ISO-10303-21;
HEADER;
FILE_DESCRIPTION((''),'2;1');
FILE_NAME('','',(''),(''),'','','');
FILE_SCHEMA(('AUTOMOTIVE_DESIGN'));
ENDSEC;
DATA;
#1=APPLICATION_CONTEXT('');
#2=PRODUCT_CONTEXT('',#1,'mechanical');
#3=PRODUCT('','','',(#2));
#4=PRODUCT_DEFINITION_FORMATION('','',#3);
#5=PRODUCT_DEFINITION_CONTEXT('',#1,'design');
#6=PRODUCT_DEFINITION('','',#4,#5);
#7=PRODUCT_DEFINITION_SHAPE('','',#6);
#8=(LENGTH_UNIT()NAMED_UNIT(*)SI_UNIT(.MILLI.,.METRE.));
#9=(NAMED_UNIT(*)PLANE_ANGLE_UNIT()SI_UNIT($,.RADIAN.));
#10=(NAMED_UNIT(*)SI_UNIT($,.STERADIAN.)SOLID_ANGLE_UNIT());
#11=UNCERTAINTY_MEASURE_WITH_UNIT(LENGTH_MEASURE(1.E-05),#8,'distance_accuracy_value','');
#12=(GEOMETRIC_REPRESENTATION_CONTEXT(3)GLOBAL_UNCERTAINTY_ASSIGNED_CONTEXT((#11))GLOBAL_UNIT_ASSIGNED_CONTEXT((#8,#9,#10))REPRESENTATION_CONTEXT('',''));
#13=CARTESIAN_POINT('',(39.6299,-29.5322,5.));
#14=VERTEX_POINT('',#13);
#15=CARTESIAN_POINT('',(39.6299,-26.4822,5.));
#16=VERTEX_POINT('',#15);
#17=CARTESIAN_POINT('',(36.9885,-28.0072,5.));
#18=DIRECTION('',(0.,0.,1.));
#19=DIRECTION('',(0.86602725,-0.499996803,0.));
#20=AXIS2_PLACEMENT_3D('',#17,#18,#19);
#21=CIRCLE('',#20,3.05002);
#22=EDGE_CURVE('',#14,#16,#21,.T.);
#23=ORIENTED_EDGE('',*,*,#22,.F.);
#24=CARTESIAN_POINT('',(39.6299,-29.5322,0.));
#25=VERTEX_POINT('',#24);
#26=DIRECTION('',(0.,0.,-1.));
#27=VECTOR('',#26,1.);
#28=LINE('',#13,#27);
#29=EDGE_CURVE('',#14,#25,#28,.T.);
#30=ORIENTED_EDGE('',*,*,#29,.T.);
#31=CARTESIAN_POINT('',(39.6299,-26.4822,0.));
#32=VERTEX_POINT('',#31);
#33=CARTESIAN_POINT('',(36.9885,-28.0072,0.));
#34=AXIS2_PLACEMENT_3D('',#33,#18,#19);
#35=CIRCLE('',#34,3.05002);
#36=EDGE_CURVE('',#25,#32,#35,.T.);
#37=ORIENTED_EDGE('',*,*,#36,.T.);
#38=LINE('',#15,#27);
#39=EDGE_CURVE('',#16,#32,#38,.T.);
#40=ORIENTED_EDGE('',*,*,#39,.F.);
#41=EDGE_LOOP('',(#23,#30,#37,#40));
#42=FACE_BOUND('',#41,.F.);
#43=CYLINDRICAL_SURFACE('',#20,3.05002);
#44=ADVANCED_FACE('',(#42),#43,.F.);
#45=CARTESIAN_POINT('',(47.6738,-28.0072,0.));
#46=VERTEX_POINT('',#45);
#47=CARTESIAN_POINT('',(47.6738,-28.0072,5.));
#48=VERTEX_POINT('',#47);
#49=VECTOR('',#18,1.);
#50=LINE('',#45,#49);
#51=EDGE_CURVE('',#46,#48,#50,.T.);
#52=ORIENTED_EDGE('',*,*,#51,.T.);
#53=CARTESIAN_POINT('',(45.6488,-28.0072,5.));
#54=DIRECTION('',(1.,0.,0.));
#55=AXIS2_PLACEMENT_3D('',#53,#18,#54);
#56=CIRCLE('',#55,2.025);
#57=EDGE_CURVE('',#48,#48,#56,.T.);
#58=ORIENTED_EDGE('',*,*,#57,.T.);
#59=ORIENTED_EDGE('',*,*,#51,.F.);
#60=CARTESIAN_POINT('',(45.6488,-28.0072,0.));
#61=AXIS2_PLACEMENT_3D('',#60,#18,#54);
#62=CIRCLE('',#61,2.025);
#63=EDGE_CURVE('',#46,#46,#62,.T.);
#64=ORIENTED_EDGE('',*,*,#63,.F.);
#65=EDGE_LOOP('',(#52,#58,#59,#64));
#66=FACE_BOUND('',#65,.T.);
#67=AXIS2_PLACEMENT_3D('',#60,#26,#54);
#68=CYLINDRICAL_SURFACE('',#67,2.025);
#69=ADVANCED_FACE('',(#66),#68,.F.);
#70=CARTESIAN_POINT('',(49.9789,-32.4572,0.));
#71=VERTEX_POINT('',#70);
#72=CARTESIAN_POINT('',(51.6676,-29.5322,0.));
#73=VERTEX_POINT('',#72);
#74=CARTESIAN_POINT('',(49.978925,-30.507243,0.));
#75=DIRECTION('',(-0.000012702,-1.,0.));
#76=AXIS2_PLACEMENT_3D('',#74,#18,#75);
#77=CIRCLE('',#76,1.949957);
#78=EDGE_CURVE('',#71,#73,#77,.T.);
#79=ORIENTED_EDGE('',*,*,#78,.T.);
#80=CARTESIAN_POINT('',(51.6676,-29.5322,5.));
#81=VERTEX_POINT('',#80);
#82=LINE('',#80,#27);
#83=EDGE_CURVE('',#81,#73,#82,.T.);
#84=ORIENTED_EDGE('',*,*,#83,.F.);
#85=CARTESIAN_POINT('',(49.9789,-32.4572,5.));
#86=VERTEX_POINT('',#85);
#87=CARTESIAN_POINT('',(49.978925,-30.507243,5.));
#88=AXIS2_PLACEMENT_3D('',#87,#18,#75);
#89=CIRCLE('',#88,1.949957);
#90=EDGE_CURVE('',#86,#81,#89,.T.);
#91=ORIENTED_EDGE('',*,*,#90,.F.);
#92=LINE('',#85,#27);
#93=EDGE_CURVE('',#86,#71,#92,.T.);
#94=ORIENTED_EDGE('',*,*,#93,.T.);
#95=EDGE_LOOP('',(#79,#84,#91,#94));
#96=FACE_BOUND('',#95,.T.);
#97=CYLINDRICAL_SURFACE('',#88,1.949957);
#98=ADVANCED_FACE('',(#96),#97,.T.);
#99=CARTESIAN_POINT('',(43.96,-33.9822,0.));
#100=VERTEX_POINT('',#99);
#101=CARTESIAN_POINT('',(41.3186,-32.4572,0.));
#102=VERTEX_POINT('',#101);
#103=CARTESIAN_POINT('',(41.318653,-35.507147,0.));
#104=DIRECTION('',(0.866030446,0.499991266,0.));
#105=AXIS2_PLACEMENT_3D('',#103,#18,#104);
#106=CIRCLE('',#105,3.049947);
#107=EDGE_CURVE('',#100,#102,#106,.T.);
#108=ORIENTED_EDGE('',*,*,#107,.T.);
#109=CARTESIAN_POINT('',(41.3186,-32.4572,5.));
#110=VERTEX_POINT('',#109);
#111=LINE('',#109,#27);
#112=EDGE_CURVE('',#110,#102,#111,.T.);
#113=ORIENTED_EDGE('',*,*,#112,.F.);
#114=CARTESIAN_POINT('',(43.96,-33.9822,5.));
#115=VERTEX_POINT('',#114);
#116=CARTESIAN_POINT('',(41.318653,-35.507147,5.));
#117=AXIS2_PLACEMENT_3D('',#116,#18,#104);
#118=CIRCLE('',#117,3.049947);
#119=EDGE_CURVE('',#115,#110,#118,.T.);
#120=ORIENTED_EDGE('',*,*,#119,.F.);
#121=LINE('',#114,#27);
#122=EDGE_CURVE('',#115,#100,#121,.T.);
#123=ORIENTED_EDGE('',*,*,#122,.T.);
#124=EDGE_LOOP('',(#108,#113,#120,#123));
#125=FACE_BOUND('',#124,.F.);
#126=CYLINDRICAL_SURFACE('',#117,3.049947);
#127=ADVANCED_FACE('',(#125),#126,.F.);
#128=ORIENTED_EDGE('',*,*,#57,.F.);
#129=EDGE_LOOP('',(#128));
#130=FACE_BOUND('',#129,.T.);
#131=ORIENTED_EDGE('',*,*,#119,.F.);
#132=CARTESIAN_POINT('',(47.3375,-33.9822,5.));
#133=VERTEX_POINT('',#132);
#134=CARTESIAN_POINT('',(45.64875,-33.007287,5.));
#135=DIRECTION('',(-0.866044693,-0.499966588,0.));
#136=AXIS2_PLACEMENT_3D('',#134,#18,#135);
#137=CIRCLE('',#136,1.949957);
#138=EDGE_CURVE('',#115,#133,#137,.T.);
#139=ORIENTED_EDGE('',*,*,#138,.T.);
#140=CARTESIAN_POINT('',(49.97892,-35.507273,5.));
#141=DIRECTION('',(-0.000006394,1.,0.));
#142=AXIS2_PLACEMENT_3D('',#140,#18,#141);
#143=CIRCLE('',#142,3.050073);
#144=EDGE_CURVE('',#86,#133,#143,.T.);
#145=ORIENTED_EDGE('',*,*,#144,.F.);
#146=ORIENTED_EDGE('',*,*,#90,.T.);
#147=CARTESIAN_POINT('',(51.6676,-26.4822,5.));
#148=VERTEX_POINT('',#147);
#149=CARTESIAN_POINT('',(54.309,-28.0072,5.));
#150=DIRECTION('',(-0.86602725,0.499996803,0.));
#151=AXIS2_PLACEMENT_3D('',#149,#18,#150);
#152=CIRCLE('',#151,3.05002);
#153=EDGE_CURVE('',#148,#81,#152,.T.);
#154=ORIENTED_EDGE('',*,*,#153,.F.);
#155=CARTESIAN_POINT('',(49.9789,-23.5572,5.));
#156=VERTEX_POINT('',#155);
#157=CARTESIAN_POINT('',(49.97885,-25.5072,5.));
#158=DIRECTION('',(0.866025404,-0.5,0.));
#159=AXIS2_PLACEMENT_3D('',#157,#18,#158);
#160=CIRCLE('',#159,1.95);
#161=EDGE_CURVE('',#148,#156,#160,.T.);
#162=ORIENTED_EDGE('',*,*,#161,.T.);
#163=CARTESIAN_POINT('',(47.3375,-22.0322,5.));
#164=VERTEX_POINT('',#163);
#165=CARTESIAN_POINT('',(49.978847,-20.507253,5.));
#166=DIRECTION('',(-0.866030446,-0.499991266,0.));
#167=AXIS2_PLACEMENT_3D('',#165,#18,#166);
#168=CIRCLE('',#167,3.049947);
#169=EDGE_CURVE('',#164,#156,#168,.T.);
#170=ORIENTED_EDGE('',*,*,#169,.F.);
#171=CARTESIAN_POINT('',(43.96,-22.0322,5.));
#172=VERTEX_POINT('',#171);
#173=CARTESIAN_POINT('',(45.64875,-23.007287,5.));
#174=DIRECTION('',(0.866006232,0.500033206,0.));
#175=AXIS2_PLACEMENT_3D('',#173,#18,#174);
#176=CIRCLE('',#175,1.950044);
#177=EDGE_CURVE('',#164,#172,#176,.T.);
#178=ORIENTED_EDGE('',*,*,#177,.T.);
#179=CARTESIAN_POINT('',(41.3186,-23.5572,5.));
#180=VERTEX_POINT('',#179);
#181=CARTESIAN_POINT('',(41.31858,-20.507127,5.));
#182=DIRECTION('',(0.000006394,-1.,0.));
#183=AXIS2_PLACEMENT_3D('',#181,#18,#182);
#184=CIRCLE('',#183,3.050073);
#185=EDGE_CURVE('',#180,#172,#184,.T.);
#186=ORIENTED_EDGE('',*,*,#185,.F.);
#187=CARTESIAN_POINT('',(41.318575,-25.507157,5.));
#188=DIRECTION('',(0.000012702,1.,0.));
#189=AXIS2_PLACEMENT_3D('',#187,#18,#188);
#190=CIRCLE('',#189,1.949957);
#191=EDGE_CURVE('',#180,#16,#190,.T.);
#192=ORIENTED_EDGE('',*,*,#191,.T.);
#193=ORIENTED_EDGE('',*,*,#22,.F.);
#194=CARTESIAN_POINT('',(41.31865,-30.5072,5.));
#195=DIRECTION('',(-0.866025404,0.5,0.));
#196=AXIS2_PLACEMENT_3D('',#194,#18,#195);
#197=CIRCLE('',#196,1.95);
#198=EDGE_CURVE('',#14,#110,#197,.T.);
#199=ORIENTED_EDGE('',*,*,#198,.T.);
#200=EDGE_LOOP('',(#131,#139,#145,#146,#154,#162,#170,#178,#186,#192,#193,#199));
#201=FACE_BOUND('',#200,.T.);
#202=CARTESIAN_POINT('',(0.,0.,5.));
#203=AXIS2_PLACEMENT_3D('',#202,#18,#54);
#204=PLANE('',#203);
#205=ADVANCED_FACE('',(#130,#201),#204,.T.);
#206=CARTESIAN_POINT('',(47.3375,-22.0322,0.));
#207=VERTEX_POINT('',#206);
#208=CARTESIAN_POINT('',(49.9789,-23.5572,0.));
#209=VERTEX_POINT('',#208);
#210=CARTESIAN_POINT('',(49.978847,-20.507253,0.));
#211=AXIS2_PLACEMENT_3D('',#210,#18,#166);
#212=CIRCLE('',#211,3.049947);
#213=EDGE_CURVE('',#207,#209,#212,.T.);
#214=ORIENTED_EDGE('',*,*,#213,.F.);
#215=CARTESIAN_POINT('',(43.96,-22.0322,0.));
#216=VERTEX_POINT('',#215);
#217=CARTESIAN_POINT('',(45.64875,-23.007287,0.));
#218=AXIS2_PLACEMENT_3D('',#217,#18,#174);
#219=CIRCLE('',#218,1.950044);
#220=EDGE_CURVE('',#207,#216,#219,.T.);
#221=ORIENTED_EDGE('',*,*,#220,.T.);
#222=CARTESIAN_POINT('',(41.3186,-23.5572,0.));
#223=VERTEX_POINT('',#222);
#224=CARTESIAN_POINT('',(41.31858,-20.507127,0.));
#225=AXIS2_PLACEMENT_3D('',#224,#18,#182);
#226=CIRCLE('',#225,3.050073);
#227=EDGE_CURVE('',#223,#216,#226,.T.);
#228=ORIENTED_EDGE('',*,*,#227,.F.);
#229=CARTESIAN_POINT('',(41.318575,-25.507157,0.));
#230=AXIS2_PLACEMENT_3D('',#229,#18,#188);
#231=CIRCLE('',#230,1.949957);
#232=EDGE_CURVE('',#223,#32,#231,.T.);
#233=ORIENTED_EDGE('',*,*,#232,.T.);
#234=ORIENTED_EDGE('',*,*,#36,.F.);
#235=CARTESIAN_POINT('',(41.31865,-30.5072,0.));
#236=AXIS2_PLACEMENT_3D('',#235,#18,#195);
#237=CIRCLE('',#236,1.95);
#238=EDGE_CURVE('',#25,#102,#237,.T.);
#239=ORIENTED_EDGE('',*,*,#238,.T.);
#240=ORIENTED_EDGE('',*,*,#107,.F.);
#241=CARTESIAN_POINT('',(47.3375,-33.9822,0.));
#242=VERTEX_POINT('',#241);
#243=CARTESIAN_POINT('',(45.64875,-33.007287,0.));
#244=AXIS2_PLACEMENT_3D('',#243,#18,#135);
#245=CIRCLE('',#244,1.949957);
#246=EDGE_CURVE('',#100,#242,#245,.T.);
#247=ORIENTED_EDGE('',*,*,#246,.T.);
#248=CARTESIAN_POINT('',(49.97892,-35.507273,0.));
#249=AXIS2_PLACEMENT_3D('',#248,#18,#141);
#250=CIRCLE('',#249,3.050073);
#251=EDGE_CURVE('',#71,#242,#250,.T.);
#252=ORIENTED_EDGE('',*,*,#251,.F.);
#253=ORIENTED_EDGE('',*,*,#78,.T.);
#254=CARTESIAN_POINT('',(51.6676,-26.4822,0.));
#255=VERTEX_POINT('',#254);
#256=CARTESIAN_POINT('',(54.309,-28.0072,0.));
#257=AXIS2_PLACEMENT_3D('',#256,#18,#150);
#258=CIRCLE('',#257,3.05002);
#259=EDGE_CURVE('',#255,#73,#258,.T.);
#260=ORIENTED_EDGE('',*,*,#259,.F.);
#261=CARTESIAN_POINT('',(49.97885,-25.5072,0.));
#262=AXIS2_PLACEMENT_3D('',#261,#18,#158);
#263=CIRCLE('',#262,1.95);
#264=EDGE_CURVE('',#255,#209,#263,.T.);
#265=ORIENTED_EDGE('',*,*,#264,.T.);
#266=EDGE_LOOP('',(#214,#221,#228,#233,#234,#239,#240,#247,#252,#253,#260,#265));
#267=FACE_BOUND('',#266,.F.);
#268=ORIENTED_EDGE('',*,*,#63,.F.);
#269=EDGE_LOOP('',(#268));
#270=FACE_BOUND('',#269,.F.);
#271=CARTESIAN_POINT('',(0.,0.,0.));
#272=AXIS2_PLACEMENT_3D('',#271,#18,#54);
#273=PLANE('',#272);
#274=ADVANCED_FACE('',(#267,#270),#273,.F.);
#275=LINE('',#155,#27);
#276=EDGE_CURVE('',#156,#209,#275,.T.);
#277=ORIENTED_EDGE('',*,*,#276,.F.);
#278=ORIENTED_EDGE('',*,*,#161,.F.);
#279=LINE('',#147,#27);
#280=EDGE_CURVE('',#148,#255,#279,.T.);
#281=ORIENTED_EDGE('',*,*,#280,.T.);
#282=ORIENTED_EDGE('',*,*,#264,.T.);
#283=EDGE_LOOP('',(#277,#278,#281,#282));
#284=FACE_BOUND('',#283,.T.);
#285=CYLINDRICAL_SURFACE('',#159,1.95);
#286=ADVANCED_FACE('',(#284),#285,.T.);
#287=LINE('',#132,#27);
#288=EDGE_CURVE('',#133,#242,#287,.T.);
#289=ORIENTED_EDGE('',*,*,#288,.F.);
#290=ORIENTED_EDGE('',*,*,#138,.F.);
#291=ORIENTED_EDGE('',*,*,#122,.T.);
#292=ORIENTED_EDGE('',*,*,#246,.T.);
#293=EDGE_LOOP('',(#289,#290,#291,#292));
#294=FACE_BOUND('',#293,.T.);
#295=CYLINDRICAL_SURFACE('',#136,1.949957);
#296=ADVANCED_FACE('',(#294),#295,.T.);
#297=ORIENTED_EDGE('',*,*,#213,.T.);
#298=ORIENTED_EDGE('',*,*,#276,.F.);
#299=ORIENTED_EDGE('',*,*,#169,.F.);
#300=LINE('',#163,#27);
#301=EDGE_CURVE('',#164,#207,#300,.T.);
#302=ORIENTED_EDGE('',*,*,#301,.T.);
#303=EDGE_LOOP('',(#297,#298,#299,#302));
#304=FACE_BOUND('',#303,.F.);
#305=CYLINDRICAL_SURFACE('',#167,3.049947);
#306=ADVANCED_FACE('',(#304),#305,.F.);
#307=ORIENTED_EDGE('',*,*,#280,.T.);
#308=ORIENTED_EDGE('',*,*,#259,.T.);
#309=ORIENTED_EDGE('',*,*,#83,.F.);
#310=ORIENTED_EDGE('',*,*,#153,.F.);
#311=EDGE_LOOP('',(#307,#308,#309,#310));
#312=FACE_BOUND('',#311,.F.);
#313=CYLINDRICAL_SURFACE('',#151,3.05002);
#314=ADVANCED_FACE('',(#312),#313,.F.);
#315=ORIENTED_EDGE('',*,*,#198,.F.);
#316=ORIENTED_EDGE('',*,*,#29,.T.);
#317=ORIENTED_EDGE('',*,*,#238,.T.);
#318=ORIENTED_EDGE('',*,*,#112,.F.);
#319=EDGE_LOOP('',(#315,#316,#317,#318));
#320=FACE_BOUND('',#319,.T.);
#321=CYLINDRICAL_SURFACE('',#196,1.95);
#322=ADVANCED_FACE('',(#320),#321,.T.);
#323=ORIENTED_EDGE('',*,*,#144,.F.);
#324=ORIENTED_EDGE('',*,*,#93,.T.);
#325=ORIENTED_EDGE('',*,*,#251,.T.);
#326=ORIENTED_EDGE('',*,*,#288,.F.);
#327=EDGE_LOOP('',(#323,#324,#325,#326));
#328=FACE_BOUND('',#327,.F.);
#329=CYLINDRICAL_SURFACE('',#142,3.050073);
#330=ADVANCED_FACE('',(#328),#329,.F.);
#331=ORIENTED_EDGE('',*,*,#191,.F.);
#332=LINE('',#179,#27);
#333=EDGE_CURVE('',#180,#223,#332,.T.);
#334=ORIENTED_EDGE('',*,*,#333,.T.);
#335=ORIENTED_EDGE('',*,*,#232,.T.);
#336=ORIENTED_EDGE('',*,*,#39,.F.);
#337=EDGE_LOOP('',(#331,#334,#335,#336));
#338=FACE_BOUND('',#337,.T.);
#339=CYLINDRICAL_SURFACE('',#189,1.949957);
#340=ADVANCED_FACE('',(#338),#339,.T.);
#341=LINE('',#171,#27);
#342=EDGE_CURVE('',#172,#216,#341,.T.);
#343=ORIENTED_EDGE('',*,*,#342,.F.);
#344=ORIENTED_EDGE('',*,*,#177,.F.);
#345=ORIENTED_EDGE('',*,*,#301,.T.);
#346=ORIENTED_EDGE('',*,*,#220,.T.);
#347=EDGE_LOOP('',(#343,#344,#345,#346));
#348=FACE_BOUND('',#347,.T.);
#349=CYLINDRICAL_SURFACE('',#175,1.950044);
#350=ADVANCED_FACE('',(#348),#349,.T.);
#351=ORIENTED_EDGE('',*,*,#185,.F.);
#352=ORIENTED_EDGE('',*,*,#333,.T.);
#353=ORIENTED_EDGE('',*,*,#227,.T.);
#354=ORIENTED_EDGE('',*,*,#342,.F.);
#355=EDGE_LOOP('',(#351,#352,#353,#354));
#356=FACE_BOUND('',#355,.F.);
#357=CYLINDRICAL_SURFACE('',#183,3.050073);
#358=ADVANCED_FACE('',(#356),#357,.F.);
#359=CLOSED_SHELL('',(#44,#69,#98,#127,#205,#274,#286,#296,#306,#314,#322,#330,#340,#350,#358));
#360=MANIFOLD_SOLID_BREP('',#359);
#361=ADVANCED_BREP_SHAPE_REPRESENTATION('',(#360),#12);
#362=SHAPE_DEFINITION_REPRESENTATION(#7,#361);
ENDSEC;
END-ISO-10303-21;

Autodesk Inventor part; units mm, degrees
ref_plane "YZ Plane" through (0, 0, 0) normal (1, 0, 0) x (0, 1, 0)
ref_plane "XZ Plane" through (0, 0, 0) normal (0, 1, 0) x (-1, 0, 0)
ref_plane "XY Plane" through (0, 0, 0) normal (0, 0, 1) x (1, 0, 0)
sketch "スケッチ1" plane through (0, 0, 0) normal (0, 0, 1) x (1, 0, 0)
  circle A0 centre (45.6488, -28.0072) radius 8
  circle A1 centre (45.6488, -28.0072) radius 7 construction
  line L0 (45.6488, -21.0072) -> (51.7109, -24.5072) construction
  line L1 (51.7109, -24.5072) -> (51.7109, -31.5072) construction
  line L2 (51.7109, -31.5072) -> (45.6488, -35.0072) construction
  line L3 (45.6488, -35.0072) -> (39.5866, -31.5072) construction
  line L4 (39.5866, -31.5072) -> (39.5866, -24.5072) construction
  line L5 (39.5866, -24.5072) -> (45.6488, -21.0072) construction
  arc A2 (47.3808, -22.0072) -> (43.9167, -22.0072) centre (45.6488, -23.0072) ccw
  arc A3 (41.3186, -23.5072) -> (39.5866, -26.5072) centre (41.3186, -25.5072) ccw
  arc A4 (39.5866, -29.5072) -> (41.3186, -32.5072) centre (41.3186, -30.5072) ccw
  arc A5 (43.9167, -34.0072) -> (47.3808, -34.0072) centre (45.6488, -33.0072) ccw
  arc A6 (49.9789, -32.5072) -> (51.7109, -29.5072) centre (49.9789, -30.5072) ccw
  arc A7 (51.7109, -26.5072) -> (49.9789, -23.5072) centre (49.9789, -25.5072) ccw
  arc A8 (47.3808, -22.0072) -> (49.9789, -23.5072) centre (49.9789, -20.5072) ccw
  arc A9 (41.3186, -23.5072) -> (43.9167, -22.0072) centre (41.3186, -20.5072) ccw
  arc A10 (39.5866, -29.5072) -> (39.5866, -26.5072) centre (36.9885, -28.0072) ccw
  arc A11 (43.9167, -34.0072) -> (41.3186, -32.5072) centre (41.3186, -35.5072) ccw
  arc A12 (49.9789, -32.5072) -> (47.3808, -34.0072) centre (49.9789, -35.5072) ccw
  arc A13 (51.7109, -26.5072) -> (51.7109, -29.5072) centre (54.309, -28.0072) ccw
  circle A14 centre (45.6488, -28.0072) radius 5.6603 construction
  circle A15 centre (45.6488, -28.0072) radius 2.025
  point P0 (0, 0)
  point P1 (51.7109, -31.5072)
  point P2 (51.7109, -24.5072)
  point P3 (51.7109, -26.5072)
  point P4 (43.9167, -22.0072)
  point P5 (41.3186, -23.5072)
  point P6 (39.5866, -26.5072)
  dimension "d5" = 14
  dimension "d4" = 16
  dimension "d6" = 360
  dimension "d7" = 360
  dimension "d8" = 11.3205
  dimension "d9" = 3
  dimension "d10" = 2
  dimension "d13" = 4.05
extrude "押し出し1" add sketch "スケッチ1" along normal blind 5 contours A8 A7 A13 A6 A12 A5 A11 A4 A10 A3 A9 A2
sketch "スケッチ2" plane through (0, 0, 5) normal (0, 0, 1) x (1, 0, 0)
  arc A0 (49.9789, -32.5072) -> (47.3808, -34.0072) centre (49.9789, -35.5072) ccw projected
  arc A1 (49.9789, -32.5072) -> (51.7109, -29.5072) centre (49.9789, -30.5072) ccw projected
  arc A2 (51.7109, -26.5072) -> (51.7109, -29.5072) centre (54.309, -28.0072) ccw projected
  arc A3 (51.7109, -26.5072) -> (49.9789, -23.5072) centre (49.9789, -25.5072) ccw projected
  arc A4 (47.3808, -22.0072) -> (49.9789, -23.5072) centre (49.9789, -20.5072) ccw projected
  arc A5 (47.3808, -22.0072) -> (43.9167, -22.0072) centre (45.6488, -23.0072) ccw projected
  arc A6 (41.3186, -23.5072) -> (43.9167, -22.0072) centre (41.3186, -20.5072) ccw projected
  arc A7 (41.3186, -23.5072) -> (39.5866, -26.5072) centre (41.3186, -25.5072) ccw projected
  arc A8 (39.5866, -29.5072) -> (39.5866, -26.5072) centre (36.9885, -28.0072) ccw projected
  arc A9 (39.5866, -29.5072) -> (41.3186, -32.5072) centre (41.3186, -30.5072) ccw projected
  arc A10 (43.9167, -34.0072) -> (41.3186, -32.5072) centre (41.3186, -35.5072) ccw projected
  arc A11 (43.9167, -34.0072) -> (47.3808, -34.0072) centre (45.6488, -33.0072) ccw projected
  circle A12 centre (45.6488, -28.0072) radius 2.025 projected
  arc A13 (41.3186, -23.5572) -> (39.6299, -26.4822) centre (41.3186, -25.5072) ccw
  arc A14 (41.3186, -23.5572) -> (43.96, -22.0322) centre (41.3186, -20.5072) ccw
  arc A15 (47.3375, -22.0322) -> (43.96, -22.0322) centre (45.6488, -23.0072) ccw
  arc A16 (47.3375, -22.0322) -> (49.9789, -23.5572) centre (49.9789, -20.5072) ccw
  arc A17 (51.6676, -26.4822) -> (49.9789, -23.5572) centre (49.9789, -25.5072) ccw
  arc A18 (51.6676, -26.4822) -> (51.6676, -29.5322) centre (54.309, -28.0072) ccw
  arc A19 (49.9789, -32.4572) -> (51.6676, -29.5322) centre (49.9789, -30.5072) ccw
  arc A20 (49.9789, -32.4572) -> (47.3375, -33.9822) centre (49.9789, -35.5072) ccw
  arc A21 (43.96, -33.9822) -> (47.3375, -33.9822) centre (45.6488, -33.0072) ccw
  arc A22 (43.96, -33.9822) -> (41.3186, -32.4572) centre (41.3186, -35.5072) ccw
  arc A23 (39.6299, -29.5322) -> (41.3186, -32.4572) centre (41.3186, -30.5072) ccw
  arc A24 (39.6299, -29.5322) -> (39.6299, -26.4822) centre (36.9885, -28.0072) ccw
  point P0 (0, 0)
  dimension "d14" = 0.05
extrude "押し出し2" cut sketch "スケッチ2" against normal blind 10 contours A0 A11 A10 A9 A8 A7 A6 A5 A4 A3 A2 A1
properties part number "1ギア接続部" material "アルミニウム 2014-T4"
